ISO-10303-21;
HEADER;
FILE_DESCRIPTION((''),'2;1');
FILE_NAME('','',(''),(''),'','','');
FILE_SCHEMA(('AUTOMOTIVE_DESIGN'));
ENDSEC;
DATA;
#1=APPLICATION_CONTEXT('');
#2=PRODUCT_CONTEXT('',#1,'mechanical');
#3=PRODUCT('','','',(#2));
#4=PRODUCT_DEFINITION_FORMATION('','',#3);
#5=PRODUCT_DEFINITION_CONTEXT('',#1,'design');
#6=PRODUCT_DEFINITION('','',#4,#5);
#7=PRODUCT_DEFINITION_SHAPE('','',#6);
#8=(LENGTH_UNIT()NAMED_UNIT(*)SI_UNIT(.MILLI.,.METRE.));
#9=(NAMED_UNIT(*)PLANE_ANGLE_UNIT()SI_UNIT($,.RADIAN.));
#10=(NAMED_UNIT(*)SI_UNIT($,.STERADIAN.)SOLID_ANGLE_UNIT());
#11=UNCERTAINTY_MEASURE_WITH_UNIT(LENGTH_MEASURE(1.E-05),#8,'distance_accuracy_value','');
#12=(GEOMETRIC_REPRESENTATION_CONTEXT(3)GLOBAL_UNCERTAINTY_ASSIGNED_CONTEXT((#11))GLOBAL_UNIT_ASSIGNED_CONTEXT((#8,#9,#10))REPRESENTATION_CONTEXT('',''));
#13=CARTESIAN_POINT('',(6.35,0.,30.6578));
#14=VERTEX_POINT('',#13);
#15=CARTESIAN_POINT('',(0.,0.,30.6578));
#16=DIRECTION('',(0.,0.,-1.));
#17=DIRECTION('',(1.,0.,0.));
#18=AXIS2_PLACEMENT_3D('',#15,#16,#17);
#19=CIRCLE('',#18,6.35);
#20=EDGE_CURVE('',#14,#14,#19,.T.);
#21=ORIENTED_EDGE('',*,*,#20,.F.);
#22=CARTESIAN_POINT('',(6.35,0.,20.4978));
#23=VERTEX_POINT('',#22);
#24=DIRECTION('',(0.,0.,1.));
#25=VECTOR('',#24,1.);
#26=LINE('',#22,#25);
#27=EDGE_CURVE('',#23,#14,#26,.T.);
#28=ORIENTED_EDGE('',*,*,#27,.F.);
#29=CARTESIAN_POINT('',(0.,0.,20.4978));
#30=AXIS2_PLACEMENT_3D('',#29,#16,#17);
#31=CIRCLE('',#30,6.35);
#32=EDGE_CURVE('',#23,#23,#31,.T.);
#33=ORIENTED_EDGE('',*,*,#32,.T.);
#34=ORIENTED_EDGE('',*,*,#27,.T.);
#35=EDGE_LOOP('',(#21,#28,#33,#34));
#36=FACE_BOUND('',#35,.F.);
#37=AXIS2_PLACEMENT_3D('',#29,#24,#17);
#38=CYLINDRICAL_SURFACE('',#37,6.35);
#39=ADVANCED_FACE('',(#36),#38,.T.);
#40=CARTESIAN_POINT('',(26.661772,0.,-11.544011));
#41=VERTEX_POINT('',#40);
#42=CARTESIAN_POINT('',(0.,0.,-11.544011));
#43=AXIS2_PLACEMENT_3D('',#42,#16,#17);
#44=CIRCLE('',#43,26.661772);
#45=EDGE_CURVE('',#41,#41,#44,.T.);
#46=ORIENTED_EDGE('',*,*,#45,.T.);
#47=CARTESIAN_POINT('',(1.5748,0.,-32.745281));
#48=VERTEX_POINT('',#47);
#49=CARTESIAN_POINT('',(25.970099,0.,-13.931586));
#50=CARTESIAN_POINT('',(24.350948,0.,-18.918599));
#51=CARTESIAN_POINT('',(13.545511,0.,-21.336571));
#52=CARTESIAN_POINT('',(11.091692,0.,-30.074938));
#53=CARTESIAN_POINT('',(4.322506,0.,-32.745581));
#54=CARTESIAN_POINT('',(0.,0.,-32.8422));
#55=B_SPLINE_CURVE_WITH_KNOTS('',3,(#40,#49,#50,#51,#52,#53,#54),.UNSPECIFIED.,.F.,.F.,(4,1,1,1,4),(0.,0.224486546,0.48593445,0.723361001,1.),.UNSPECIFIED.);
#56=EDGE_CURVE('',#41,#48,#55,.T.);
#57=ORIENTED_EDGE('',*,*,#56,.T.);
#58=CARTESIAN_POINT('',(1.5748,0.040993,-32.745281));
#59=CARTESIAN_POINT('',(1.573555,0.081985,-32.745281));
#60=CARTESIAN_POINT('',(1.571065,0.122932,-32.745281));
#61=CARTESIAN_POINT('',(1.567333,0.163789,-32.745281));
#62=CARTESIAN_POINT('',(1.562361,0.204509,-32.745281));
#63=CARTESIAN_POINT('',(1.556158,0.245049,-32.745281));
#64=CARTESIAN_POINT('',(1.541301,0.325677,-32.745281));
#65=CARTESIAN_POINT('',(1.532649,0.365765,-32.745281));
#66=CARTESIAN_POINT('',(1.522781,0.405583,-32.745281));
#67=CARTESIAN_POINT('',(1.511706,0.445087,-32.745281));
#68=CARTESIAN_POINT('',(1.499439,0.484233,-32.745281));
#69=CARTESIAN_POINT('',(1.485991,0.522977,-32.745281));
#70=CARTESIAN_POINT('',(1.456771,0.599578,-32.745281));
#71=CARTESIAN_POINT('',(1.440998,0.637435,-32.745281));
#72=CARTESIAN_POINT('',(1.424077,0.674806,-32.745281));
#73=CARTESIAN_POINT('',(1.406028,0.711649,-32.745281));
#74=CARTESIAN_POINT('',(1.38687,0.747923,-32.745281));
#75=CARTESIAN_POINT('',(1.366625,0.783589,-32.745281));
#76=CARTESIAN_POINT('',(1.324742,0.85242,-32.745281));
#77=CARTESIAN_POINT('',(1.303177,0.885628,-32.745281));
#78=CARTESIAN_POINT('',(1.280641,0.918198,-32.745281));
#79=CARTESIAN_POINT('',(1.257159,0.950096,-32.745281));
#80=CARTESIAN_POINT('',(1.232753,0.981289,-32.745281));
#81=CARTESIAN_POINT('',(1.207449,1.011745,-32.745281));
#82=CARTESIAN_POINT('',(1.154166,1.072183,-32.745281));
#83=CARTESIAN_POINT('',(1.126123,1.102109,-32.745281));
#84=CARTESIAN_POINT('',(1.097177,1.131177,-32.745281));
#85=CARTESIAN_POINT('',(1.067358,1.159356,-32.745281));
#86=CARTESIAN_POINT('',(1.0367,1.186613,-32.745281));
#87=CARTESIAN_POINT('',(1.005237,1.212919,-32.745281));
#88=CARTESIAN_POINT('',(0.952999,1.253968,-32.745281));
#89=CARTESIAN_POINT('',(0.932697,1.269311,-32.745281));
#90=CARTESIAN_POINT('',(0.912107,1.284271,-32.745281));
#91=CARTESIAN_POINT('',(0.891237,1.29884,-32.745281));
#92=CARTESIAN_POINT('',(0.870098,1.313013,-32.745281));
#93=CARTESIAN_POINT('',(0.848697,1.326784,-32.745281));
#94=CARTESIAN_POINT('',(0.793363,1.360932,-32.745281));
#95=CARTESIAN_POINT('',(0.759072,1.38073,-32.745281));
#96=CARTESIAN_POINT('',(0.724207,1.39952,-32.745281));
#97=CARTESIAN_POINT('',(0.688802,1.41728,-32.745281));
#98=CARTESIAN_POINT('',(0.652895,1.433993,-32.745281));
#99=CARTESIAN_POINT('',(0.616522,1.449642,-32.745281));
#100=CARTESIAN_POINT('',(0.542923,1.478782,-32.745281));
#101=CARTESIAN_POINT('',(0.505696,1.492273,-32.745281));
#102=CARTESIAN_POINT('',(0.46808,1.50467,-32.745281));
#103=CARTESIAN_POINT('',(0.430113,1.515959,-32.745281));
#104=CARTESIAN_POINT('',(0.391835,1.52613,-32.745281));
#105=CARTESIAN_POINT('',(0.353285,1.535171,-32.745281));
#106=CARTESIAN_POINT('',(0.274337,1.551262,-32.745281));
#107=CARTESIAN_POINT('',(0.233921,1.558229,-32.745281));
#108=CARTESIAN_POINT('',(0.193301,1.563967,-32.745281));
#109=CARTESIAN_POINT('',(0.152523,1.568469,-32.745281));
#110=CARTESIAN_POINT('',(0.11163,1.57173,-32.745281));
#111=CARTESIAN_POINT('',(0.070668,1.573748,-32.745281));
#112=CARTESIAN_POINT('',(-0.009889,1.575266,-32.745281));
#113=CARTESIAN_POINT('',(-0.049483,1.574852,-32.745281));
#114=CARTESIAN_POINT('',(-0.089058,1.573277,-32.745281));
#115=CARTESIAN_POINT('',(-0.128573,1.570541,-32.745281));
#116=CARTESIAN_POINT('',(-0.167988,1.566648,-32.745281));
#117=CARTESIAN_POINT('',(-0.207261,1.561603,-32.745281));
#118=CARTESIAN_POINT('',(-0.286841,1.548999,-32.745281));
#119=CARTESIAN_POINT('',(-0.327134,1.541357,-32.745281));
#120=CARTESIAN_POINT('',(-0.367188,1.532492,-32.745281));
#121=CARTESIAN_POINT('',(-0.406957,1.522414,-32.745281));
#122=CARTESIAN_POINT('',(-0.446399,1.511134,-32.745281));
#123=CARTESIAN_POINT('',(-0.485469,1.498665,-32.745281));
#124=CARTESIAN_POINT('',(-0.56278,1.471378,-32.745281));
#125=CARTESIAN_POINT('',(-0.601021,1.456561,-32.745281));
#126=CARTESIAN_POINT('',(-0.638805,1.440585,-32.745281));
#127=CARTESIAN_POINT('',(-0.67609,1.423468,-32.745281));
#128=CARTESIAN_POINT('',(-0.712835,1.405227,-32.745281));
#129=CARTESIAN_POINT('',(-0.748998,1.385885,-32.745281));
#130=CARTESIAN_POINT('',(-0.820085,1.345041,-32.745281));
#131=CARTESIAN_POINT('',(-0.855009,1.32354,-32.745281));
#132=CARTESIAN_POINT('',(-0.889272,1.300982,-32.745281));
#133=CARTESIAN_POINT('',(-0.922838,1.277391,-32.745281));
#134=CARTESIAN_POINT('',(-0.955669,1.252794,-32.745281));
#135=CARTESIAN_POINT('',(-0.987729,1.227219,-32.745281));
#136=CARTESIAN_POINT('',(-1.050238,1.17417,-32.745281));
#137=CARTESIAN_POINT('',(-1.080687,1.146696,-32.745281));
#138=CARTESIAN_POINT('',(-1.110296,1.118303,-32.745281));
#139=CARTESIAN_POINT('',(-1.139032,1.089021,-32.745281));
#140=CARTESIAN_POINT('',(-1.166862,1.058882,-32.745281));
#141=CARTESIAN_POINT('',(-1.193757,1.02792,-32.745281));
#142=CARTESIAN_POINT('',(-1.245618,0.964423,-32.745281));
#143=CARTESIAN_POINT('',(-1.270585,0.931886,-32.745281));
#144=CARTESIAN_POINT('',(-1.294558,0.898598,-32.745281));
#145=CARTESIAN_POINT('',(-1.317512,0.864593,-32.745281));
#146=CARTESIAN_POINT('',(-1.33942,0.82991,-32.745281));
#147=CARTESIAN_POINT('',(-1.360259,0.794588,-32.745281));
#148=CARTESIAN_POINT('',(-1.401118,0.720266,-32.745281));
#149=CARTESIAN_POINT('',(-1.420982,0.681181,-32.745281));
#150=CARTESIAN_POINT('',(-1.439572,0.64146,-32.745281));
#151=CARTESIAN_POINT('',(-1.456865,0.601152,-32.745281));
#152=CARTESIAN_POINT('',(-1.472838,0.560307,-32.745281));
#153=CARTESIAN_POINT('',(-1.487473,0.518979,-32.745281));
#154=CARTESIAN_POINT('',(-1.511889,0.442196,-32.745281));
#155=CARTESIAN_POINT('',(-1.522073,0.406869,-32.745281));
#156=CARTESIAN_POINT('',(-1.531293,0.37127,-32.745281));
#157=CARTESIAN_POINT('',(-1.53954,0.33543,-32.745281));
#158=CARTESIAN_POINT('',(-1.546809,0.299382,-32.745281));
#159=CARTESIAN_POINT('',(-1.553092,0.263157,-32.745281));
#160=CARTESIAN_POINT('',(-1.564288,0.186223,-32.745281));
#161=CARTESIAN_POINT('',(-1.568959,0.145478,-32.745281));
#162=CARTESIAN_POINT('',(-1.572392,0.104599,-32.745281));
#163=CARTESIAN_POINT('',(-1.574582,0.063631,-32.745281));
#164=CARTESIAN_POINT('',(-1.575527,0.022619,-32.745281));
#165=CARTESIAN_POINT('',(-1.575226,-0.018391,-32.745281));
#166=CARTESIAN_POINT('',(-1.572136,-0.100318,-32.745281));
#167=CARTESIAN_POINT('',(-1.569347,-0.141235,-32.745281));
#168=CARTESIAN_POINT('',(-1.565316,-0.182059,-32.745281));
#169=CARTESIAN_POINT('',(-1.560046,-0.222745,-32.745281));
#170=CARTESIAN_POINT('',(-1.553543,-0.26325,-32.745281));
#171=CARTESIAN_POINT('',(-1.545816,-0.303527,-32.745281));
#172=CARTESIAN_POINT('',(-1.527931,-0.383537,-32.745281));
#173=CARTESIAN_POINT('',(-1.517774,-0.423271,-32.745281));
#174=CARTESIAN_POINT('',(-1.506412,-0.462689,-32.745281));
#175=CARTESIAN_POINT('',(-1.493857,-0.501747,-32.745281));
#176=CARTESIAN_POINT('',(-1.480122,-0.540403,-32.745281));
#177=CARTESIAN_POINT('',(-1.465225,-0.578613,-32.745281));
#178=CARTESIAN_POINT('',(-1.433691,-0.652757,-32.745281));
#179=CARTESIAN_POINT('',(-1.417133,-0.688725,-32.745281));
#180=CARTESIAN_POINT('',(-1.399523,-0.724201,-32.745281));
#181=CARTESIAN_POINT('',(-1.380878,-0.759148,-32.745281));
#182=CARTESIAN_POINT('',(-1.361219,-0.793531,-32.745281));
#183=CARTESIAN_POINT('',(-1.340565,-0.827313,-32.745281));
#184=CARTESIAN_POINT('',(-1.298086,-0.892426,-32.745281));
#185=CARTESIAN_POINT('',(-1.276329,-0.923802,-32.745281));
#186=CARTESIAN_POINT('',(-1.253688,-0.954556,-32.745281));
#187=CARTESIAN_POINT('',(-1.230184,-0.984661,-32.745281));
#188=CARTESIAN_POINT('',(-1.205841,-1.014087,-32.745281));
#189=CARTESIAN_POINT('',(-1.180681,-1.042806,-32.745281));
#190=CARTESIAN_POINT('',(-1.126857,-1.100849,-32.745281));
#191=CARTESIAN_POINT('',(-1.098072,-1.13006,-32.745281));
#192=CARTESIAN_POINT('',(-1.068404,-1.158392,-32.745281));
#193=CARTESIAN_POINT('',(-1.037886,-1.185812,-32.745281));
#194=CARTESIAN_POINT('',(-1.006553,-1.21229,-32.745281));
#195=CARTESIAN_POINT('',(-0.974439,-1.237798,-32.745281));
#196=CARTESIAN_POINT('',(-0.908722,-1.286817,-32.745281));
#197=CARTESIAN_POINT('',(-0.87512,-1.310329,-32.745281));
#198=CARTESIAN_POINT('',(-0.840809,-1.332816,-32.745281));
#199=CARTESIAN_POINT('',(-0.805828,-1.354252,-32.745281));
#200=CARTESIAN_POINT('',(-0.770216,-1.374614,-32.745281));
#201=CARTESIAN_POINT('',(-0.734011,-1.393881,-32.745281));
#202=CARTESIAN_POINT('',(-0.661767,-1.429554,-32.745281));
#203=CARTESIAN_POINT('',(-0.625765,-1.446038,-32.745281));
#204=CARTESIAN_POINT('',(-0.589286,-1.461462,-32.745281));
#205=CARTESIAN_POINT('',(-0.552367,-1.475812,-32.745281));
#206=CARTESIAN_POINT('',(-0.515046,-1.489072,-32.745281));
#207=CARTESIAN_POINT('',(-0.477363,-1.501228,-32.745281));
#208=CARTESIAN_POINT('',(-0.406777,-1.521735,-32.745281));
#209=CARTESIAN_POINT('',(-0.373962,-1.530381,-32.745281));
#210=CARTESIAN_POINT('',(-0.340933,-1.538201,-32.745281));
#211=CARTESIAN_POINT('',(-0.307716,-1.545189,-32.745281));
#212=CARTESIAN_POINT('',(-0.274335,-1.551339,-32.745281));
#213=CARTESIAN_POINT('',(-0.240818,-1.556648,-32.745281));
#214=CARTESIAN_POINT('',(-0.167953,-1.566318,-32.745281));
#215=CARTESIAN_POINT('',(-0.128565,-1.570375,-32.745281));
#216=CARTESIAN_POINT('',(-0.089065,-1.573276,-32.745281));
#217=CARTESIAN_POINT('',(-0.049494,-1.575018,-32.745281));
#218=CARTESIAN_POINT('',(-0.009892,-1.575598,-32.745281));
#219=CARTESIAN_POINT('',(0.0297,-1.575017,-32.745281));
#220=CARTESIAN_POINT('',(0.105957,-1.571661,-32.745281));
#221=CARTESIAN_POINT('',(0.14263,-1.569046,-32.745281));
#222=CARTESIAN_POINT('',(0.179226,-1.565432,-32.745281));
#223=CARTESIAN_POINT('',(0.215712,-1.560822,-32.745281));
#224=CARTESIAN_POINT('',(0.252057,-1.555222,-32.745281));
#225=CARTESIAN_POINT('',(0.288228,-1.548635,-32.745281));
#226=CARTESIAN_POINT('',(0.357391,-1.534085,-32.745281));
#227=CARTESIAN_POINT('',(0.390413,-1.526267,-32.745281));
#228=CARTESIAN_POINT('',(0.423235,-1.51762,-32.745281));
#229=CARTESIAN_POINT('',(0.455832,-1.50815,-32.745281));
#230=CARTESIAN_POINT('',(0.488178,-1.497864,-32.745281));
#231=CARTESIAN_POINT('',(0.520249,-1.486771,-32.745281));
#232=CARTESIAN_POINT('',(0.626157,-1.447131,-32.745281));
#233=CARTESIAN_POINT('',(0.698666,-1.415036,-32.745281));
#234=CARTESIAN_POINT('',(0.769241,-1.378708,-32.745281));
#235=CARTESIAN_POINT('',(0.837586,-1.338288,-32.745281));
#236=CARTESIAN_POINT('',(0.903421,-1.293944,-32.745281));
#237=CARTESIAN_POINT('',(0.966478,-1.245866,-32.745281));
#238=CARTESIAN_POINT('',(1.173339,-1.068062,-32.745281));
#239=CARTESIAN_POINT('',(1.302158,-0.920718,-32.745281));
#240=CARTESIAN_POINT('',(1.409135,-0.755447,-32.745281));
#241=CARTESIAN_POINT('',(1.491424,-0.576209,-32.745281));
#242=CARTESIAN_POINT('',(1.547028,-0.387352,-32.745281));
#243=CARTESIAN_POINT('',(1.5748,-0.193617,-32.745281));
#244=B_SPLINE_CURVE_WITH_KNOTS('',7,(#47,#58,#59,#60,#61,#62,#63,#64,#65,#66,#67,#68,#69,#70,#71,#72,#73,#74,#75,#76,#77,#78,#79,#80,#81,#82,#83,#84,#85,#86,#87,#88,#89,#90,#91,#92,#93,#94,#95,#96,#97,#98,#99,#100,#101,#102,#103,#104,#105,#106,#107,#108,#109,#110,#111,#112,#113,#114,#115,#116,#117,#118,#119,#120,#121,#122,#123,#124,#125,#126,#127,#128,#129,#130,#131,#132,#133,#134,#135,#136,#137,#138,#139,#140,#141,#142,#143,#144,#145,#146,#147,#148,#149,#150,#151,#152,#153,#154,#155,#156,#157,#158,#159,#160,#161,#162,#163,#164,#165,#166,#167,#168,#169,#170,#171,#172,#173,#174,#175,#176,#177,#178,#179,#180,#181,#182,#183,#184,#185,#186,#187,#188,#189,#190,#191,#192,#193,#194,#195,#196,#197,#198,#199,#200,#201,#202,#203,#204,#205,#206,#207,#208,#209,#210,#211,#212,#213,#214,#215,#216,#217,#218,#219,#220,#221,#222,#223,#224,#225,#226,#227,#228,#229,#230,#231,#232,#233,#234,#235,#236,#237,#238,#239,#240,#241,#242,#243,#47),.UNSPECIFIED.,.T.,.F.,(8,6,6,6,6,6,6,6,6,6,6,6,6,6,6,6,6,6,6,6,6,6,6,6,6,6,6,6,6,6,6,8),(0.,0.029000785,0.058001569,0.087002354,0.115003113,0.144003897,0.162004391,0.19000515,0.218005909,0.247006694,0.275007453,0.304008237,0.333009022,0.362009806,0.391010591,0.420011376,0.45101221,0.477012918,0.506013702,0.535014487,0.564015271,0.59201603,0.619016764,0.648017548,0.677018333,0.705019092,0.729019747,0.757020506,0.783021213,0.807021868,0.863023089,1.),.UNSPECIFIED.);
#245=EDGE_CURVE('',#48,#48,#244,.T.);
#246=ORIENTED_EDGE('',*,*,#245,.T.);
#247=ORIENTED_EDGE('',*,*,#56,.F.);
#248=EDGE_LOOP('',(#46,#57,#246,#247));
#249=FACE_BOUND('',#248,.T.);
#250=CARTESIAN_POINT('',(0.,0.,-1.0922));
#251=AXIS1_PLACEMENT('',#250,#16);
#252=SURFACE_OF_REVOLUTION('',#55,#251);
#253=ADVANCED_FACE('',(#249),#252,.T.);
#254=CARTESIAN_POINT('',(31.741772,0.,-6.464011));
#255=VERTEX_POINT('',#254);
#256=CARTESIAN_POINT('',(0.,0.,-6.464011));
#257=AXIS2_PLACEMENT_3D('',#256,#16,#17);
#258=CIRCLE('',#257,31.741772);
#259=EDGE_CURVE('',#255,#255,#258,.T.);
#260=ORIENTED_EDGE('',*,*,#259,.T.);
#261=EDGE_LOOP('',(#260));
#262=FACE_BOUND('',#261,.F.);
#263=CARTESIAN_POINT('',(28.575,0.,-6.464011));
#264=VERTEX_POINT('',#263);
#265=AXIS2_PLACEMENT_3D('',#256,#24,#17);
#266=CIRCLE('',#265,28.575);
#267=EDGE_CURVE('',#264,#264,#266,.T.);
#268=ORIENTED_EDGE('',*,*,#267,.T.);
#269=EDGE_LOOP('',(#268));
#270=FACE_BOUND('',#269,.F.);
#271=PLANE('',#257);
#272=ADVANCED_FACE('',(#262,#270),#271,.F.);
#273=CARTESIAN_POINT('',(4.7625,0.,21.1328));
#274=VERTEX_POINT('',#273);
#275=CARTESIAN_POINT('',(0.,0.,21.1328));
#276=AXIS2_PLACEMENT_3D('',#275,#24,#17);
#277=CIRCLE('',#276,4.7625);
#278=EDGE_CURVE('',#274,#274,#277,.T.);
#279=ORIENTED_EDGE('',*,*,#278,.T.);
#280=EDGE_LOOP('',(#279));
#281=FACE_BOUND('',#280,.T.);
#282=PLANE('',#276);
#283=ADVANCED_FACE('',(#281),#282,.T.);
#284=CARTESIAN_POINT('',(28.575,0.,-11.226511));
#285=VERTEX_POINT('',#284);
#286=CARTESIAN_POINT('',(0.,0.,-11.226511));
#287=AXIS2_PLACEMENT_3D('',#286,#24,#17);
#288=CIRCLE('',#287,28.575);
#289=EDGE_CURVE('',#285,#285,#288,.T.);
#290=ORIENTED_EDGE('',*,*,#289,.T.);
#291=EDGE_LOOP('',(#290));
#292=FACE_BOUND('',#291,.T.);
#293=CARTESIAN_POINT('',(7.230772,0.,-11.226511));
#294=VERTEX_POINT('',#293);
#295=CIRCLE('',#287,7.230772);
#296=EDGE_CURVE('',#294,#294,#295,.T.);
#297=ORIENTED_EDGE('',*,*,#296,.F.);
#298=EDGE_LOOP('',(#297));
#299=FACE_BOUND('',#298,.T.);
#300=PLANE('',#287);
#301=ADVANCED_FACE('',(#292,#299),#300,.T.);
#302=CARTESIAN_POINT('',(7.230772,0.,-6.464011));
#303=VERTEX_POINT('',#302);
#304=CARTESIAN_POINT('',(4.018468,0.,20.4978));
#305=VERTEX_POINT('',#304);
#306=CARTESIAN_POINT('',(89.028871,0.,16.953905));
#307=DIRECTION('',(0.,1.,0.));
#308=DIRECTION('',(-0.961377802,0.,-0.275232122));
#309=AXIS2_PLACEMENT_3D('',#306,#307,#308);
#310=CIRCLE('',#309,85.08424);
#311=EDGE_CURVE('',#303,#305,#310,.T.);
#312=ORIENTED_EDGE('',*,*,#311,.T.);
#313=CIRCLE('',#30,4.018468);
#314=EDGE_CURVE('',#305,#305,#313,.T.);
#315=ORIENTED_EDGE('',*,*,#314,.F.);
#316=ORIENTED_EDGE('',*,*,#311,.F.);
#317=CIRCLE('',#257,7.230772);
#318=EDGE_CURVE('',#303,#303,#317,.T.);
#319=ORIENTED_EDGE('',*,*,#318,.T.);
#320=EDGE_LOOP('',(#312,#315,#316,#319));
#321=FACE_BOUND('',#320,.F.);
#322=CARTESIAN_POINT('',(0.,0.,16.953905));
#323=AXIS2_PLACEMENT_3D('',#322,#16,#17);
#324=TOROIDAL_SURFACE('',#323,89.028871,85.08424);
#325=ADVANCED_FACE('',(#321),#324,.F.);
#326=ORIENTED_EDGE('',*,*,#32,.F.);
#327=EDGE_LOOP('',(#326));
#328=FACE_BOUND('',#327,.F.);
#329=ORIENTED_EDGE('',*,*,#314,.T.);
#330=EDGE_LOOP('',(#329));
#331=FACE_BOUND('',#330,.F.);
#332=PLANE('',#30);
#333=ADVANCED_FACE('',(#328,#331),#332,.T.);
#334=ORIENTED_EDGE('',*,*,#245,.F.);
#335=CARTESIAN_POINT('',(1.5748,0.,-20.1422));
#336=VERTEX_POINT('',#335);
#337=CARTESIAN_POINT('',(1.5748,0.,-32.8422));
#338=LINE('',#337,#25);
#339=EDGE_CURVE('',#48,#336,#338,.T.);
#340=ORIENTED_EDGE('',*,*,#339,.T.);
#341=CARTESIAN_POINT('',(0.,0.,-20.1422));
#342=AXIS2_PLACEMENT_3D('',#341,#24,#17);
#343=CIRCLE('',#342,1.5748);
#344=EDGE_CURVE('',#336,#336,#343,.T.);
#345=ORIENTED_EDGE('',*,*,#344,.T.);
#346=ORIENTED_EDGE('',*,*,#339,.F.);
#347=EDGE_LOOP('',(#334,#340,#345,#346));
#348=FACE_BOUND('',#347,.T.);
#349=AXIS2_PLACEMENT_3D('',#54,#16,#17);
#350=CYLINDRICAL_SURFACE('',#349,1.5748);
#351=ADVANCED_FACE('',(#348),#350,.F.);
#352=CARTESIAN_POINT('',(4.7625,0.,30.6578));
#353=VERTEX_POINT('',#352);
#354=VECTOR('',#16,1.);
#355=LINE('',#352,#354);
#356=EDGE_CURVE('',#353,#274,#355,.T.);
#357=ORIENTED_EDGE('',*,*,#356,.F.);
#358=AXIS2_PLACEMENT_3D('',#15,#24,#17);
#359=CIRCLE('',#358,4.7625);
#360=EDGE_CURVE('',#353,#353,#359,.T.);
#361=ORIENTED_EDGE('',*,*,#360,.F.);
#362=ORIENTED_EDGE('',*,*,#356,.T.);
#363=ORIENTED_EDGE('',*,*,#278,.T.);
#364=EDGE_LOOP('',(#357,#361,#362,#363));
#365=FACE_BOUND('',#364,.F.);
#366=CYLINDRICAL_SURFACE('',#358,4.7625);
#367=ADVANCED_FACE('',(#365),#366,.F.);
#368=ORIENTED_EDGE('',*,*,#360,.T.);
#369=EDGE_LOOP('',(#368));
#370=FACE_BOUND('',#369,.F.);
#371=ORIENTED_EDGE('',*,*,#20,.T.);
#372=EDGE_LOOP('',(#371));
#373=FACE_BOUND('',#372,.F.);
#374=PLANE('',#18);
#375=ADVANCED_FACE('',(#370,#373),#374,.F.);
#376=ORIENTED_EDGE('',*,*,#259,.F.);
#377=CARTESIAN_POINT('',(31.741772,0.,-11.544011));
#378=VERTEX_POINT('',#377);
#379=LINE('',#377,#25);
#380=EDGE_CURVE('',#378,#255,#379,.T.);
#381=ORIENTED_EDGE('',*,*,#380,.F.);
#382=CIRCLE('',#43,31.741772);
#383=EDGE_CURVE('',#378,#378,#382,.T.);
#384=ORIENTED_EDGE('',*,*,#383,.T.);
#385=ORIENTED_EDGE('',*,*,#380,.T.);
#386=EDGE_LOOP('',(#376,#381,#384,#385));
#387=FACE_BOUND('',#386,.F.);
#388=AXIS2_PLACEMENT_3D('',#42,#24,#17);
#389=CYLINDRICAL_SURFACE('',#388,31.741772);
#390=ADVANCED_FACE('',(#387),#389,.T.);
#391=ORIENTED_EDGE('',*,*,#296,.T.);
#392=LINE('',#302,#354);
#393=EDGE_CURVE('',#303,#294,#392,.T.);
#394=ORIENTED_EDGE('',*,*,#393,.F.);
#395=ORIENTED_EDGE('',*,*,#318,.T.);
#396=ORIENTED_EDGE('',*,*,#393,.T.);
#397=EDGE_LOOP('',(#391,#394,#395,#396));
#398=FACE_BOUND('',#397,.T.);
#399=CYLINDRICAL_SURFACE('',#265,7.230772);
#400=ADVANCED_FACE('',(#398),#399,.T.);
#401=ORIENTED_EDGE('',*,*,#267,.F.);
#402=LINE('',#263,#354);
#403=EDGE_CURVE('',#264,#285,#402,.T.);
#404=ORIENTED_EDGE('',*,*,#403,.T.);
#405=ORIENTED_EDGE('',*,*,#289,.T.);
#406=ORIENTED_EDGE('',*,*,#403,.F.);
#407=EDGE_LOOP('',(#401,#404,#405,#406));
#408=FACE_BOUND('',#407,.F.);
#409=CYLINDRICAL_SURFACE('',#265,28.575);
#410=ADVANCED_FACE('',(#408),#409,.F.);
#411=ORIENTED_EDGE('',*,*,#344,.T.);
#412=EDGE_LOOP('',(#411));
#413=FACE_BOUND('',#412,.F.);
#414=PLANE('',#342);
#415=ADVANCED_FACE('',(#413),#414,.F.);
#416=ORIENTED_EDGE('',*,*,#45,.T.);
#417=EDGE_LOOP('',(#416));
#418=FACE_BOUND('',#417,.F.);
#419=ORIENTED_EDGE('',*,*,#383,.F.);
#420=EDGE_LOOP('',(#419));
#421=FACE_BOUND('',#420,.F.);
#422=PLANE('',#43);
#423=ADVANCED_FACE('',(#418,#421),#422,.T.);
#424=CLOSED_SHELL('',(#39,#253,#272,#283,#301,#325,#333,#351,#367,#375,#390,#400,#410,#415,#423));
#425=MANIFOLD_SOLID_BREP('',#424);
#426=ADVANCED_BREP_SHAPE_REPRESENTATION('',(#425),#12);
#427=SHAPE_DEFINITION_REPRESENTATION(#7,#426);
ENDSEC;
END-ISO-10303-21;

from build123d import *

# Parameters (mm, degrees)
F2_R     = 4.7625
F3_DEPTH = 9.525
F4_R     = 28.575
F4_R_2   = 7.2307717055
F5_DEPTH = 4.7625
F7_R     = 1.5748
F8_DEPTH = 12.7


with BuildPart() as f1:
    # F0 (on Front) → F1 (revolve)
    with BuildSketch(Plane.XZ):
        with BuildLine():
            Line((6.35, 30.6578), (0, 30.6578))
            Line((0, 30.6578), (0, -32.8422))
            add(Edge.make_bspline(
                [(26.6617717055, -11.54401084), (25.9700992248, -13.9315858764), (24.3509477459, -18.9185989779), (13.5455112354, -21.3365708537), (11.0916920313, -30.0749376041), (4.3225063677, -32.7455812088), (0, -32.8422)],
                knots=[0, 0, 0, 0, 0.2244865459, 0.4859344501, 0.7233610009, 1, 1, 1, 1], degree=3))
            Line((26.6617717055, -11.54401084), (31.7417717055, -11.54401084))
            Line((31.7417717055, -11.54401084), (31.7417717055, -6.46401084))
            Line((31.7417717055, -6.46401084), (7.2307717055, -6.46401084))
            ThreePointArc((7.2307717055, -6.46401084), (4.5421623899, 6.8879276474), (4.018467851, 20.4978))
            Line((4.018467851, 20.4978), (6.35, 20.4978))
            Line((6.35, 20.4978), (6.35, 30.6578))
        make_face()
    revolve(axis=Axis((0, 0, -1.0922), (0, 0, -1)))

    # F2 (on face) → F3 (cut)
    with BuildSketch(Plane.XY.offset(30.6578)):
        Circle(F2_R)
    extrude(amount=-F3_DEPTH, mode=Mode.SUBTRACT)

    # F4 (on face) → F5 (cut)
    with BuildSketch(Plane.XY.offset(-6.46401084)):
        Circle(F4_R)
        Circle(F4_R_2, mode=Mode.SUBTRACT)
    extrude(amount=-F5_DEPTH, mode=Mode.SUBTRACT)

    # F7 (on offset) → F8 (cut)
    with BuildSketch(Plane.XY.offset(-32.8422)):
        Circle(F7_R)
    extrude(amount=F8_DEPTH, mode=Mode.SUBTRACT)


solid = f1.part
